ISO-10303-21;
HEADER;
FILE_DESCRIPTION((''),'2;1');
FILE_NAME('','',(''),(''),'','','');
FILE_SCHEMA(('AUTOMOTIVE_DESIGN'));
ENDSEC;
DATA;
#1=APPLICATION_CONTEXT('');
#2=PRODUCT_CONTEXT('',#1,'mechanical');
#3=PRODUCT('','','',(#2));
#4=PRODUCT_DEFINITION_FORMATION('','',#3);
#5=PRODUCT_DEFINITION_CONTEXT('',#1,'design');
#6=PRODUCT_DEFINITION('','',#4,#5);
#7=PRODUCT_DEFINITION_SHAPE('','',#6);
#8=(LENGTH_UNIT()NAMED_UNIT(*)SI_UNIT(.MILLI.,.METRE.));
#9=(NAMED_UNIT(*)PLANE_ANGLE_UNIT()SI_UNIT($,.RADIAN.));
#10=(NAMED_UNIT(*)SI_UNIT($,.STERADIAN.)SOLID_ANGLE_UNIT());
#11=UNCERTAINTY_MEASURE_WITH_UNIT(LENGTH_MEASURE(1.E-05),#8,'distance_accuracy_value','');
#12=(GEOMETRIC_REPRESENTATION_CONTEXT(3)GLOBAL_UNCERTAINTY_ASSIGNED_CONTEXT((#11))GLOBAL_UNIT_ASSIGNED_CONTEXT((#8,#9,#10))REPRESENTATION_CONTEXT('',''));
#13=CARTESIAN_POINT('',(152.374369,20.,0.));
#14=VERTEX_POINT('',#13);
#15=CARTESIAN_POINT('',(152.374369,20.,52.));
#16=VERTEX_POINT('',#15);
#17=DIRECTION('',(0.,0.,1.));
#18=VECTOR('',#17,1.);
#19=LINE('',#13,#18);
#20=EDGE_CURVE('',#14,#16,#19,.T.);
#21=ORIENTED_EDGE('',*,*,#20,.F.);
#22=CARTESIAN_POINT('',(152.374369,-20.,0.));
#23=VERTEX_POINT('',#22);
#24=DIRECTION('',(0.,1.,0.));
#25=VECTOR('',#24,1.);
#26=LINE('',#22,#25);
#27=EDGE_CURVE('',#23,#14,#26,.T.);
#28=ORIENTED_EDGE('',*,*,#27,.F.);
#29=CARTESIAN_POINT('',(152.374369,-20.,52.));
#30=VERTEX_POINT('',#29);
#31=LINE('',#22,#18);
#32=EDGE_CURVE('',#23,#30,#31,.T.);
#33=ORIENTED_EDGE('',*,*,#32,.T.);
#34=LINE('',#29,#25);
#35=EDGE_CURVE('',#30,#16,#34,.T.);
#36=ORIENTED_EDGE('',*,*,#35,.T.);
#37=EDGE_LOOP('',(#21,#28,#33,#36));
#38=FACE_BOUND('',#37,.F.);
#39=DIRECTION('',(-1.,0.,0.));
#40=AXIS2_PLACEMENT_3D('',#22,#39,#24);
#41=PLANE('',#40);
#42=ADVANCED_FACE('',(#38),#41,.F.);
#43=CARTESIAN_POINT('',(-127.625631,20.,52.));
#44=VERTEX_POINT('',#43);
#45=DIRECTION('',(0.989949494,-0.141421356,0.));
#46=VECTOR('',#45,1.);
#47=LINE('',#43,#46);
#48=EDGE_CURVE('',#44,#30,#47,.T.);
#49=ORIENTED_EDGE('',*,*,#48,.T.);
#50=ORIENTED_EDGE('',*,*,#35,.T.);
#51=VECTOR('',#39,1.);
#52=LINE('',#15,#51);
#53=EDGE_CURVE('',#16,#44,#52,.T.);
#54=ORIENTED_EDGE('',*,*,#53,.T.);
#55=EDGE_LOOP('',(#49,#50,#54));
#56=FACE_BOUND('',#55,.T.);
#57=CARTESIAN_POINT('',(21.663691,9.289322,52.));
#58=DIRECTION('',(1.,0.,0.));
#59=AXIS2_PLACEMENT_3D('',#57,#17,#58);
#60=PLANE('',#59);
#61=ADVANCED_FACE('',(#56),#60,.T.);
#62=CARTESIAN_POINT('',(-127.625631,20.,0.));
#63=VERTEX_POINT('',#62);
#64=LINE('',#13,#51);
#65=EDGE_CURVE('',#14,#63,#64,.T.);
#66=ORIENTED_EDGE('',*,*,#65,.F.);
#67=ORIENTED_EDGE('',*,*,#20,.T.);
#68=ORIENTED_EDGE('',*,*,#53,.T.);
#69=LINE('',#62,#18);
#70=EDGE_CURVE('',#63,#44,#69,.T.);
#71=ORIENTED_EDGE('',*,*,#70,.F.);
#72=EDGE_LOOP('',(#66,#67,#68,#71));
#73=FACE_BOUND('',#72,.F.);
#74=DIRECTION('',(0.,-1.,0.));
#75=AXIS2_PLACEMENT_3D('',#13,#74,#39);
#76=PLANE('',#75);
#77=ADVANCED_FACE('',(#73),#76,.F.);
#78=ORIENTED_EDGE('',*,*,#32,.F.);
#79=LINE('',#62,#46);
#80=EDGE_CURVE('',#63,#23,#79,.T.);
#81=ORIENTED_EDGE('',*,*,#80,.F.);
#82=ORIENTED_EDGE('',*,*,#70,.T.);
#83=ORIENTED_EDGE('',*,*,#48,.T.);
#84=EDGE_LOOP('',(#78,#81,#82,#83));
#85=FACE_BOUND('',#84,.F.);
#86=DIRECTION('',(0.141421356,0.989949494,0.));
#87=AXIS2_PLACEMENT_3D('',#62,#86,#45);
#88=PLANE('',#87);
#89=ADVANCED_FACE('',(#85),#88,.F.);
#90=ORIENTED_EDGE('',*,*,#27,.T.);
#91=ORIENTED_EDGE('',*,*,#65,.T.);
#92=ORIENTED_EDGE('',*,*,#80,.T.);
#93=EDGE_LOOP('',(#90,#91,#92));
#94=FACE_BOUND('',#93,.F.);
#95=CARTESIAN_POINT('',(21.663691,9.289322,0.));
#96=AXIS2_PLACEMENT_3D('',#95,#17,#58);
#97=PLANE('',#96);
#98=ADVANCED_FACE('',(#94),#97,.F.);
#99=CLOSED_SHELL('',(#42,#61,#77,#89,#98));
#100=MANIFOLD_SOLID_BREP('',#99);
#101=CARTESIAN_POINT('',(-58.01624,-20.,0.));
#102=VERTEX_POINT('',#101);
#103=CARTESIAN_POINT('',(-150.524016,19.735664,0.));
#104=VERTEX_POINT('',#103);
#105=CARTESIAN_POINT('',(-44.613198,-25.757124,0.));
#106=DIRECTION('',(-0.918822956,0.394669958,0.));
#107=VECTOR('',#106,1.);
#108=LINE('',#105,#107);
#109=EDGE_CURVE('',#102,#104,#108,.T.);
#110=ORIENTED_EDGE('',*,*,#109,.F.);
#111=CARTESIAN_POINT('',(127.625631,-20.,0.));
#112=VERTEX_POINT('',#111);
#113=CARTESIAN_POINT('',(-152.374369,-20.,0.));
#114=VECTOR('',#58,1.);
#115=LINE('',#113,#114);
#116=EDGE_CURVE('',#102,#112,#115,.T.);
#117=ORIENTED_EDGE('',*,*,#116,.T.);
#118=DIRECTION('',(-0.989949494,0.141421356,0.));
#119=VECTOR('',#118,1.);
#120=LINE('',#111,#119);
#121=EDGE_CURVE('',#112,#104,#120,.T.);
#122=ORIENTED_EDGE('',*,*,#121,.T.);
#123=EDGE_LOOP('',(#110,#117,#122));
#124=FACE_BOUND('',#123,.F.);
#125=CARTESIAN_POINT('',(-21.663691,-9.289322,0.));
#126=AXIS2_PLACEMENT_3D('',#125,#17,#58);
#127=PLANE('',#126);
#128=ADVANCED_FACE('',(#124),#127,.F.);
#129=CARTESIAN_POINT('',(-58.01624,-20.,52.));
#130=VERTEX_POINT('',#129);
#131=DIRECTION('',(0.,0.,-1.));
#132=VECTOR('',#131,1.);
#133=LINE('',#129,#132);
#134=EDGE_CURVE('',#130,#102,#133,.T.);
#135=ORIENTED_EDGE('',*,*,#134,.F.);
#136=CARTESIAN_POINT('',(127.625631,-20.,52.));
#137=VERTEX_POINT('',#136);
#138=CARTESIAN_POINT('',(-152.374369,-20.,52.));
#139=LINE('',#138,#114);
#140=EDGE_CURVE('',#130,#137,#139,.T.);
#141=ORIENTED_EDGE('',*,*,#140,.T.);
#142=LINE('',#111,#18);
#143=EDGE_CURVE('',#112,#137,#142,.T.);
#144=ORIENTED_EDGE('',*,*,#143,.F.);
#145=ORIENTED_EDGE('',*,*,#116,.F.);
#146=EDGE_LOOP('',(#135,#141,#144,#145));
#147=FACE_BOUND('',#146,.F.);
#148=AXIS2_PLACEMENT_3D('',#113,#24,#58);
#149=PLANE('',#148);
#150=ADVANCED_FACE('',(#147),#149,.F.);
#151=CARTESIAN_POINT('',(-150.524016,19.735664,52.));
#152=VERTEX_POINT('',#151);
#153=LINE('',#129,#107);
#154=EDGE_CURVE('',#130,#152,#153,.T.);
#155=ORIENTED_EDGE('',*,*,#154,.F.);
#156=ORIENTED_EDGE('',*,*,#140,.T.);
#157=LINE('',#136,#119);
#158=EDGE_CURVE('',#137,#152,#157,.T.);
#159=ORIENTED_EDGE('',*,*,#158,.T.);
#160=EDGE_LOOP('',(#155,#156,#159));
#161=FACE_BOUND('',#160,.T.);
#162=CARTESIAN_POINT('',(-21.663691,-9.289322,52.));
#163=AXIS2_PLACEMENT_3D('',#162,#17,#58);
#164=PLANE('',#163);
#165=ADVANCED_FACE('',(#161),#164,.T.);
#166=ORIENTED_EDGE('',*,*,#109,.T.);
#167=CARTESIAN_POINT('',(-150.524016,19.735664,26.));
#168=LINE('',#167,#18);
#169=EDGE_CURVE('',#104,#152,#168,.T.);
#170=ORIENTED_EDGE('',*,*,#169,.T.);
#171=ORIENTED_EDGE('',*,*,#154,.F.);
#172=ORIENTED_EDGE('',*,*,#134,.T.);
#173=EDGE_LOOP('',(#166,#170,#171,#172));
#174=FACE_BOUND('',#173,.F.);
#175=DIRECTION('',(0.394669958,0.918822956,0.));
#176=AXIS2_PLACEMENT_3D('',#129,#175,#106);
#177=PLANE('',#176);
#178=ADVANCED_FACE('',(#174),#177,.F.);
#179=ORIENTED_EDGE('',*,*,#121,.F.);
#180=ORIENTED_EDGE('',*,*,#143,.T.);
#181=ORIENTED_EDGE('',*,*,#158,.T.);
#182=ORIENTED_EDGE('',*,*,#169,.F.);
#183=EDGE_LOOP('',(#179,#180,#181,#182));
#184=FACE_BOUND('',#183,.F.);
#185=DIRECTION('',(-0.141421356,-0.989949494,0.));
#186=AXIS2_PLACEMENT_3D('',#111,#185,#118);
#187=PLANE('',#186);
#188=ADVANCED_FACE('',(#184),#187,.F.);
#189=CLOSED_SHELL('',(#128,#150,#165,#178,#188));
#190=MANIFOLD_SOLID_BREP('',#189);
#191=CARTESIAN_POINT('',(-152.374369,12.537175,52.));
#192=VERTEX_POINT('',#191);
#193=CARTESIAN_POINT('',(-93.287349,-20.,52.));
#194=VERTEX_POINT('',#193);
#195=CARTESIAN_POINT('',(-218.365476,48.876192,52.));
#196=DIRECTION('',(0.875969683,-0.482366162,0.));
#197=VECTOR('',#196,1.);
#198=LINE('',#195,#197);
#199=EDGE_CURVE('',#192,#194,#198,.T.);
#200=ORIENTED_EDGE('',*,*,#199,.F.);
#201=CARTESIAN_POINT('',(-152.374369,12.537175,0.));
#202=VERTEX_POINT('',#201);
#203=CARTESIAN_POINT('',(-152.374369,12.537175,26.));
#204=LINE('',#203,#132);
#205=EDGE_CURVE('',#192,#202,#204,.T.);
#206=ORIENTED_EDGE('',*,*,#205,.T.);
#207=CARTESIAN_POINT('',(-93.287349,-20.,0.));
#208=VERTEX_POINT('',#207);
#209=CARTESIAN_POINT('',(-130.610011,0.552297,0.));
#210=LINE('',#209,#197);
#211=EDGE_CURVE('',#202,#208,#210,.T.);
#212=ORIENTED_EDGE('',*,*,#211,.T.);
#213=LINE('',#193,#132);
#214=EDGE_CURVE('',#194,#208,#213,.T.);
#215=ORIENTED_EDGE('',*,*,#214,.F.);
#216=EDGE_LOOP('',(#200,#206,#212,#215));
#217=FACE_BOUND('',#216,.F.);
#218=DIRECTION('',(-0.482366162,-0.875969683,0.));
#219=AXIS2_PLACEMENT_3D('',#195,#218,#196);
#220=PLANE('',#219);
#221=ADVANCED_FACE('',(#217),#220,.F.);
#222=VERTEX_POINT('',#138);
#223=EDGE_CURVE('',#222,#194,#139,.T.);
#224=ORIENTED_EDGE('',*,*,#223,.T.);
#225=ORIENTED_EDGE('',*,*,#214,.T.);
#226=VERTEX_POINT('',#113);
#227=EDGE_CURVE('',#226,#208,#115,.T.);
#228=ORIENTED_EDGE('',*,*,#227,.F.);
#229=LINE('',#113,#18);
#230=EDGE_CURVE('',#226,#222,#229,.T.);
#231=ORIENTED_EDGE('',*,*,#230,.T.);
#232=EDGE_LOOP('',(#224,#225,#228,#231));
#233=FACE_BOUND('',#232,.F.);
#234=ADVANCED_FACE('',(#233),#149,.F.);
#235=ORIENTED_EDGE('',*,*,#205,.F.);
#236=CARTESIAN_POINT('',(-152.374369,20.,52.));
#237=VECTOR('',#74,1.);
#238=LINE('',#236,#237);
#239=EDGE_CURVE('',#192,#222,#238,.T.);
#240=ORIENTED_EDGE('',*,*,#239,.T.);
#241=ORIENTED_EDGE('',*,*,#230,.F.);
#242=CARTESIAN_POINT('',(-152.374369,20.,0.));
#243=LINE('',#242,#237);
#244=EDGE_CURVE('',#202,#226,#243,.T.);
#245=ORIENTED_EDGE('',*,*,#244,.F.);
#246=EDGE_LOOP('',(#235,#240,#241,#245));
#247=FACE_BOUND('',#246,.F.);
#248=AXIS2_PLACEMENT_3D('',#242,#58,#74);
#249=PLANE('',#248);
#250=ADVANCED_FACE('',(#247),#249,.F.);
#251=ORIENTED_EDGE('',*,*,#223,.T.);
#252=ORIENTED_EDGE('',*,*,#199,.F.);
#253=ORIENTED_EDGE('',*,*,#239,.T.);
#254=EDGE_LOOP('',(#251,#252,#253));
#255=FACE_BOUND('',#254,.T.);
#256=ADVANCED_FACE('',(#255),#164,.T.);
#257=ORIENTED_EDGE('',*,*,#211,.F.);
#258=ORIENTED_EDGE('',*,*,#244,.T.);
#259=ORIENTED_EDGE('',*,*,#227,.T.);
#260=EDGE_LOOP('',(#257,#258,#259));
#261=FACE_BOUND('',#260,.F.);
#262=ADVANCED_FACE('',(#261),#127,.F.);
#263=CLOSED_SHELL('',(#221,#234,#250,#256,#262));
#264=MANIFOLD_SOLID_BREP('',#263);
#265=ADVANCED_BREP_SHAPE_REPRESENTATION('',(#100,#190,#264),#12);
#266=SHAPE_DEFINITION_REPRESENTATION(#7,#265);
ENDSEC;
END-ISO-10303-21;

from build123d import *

# Parameters (mm, degrees)
F1_DEPTH = 52
F3_DEPTH = 52.001


with BuildPart() as f1:
    # F0 (on Top) → F1 (new body)
    with BuildSketch(Plane.XY):
        Polygon((-152.374369, -20), (127.625631, -20), (-152.374369, 20), align=None)
        Polygon((-127.625631, 20), (152.374369, -20), (152.374369, 20), align=None)
    extrude(amount=F1_DEPTH)

    # F2 (on face) → F3 (cut, through all)
    with BuildSketch(Plane.XY.offset(52)):
        Polygon((-93.287349, -20), (-58.01624, -20), (-218.365476, 48.876192), align=None)
    extrude(amount=-F3_DEPTH, mode=Mode.SUBTRACT)


solid = f1.part
